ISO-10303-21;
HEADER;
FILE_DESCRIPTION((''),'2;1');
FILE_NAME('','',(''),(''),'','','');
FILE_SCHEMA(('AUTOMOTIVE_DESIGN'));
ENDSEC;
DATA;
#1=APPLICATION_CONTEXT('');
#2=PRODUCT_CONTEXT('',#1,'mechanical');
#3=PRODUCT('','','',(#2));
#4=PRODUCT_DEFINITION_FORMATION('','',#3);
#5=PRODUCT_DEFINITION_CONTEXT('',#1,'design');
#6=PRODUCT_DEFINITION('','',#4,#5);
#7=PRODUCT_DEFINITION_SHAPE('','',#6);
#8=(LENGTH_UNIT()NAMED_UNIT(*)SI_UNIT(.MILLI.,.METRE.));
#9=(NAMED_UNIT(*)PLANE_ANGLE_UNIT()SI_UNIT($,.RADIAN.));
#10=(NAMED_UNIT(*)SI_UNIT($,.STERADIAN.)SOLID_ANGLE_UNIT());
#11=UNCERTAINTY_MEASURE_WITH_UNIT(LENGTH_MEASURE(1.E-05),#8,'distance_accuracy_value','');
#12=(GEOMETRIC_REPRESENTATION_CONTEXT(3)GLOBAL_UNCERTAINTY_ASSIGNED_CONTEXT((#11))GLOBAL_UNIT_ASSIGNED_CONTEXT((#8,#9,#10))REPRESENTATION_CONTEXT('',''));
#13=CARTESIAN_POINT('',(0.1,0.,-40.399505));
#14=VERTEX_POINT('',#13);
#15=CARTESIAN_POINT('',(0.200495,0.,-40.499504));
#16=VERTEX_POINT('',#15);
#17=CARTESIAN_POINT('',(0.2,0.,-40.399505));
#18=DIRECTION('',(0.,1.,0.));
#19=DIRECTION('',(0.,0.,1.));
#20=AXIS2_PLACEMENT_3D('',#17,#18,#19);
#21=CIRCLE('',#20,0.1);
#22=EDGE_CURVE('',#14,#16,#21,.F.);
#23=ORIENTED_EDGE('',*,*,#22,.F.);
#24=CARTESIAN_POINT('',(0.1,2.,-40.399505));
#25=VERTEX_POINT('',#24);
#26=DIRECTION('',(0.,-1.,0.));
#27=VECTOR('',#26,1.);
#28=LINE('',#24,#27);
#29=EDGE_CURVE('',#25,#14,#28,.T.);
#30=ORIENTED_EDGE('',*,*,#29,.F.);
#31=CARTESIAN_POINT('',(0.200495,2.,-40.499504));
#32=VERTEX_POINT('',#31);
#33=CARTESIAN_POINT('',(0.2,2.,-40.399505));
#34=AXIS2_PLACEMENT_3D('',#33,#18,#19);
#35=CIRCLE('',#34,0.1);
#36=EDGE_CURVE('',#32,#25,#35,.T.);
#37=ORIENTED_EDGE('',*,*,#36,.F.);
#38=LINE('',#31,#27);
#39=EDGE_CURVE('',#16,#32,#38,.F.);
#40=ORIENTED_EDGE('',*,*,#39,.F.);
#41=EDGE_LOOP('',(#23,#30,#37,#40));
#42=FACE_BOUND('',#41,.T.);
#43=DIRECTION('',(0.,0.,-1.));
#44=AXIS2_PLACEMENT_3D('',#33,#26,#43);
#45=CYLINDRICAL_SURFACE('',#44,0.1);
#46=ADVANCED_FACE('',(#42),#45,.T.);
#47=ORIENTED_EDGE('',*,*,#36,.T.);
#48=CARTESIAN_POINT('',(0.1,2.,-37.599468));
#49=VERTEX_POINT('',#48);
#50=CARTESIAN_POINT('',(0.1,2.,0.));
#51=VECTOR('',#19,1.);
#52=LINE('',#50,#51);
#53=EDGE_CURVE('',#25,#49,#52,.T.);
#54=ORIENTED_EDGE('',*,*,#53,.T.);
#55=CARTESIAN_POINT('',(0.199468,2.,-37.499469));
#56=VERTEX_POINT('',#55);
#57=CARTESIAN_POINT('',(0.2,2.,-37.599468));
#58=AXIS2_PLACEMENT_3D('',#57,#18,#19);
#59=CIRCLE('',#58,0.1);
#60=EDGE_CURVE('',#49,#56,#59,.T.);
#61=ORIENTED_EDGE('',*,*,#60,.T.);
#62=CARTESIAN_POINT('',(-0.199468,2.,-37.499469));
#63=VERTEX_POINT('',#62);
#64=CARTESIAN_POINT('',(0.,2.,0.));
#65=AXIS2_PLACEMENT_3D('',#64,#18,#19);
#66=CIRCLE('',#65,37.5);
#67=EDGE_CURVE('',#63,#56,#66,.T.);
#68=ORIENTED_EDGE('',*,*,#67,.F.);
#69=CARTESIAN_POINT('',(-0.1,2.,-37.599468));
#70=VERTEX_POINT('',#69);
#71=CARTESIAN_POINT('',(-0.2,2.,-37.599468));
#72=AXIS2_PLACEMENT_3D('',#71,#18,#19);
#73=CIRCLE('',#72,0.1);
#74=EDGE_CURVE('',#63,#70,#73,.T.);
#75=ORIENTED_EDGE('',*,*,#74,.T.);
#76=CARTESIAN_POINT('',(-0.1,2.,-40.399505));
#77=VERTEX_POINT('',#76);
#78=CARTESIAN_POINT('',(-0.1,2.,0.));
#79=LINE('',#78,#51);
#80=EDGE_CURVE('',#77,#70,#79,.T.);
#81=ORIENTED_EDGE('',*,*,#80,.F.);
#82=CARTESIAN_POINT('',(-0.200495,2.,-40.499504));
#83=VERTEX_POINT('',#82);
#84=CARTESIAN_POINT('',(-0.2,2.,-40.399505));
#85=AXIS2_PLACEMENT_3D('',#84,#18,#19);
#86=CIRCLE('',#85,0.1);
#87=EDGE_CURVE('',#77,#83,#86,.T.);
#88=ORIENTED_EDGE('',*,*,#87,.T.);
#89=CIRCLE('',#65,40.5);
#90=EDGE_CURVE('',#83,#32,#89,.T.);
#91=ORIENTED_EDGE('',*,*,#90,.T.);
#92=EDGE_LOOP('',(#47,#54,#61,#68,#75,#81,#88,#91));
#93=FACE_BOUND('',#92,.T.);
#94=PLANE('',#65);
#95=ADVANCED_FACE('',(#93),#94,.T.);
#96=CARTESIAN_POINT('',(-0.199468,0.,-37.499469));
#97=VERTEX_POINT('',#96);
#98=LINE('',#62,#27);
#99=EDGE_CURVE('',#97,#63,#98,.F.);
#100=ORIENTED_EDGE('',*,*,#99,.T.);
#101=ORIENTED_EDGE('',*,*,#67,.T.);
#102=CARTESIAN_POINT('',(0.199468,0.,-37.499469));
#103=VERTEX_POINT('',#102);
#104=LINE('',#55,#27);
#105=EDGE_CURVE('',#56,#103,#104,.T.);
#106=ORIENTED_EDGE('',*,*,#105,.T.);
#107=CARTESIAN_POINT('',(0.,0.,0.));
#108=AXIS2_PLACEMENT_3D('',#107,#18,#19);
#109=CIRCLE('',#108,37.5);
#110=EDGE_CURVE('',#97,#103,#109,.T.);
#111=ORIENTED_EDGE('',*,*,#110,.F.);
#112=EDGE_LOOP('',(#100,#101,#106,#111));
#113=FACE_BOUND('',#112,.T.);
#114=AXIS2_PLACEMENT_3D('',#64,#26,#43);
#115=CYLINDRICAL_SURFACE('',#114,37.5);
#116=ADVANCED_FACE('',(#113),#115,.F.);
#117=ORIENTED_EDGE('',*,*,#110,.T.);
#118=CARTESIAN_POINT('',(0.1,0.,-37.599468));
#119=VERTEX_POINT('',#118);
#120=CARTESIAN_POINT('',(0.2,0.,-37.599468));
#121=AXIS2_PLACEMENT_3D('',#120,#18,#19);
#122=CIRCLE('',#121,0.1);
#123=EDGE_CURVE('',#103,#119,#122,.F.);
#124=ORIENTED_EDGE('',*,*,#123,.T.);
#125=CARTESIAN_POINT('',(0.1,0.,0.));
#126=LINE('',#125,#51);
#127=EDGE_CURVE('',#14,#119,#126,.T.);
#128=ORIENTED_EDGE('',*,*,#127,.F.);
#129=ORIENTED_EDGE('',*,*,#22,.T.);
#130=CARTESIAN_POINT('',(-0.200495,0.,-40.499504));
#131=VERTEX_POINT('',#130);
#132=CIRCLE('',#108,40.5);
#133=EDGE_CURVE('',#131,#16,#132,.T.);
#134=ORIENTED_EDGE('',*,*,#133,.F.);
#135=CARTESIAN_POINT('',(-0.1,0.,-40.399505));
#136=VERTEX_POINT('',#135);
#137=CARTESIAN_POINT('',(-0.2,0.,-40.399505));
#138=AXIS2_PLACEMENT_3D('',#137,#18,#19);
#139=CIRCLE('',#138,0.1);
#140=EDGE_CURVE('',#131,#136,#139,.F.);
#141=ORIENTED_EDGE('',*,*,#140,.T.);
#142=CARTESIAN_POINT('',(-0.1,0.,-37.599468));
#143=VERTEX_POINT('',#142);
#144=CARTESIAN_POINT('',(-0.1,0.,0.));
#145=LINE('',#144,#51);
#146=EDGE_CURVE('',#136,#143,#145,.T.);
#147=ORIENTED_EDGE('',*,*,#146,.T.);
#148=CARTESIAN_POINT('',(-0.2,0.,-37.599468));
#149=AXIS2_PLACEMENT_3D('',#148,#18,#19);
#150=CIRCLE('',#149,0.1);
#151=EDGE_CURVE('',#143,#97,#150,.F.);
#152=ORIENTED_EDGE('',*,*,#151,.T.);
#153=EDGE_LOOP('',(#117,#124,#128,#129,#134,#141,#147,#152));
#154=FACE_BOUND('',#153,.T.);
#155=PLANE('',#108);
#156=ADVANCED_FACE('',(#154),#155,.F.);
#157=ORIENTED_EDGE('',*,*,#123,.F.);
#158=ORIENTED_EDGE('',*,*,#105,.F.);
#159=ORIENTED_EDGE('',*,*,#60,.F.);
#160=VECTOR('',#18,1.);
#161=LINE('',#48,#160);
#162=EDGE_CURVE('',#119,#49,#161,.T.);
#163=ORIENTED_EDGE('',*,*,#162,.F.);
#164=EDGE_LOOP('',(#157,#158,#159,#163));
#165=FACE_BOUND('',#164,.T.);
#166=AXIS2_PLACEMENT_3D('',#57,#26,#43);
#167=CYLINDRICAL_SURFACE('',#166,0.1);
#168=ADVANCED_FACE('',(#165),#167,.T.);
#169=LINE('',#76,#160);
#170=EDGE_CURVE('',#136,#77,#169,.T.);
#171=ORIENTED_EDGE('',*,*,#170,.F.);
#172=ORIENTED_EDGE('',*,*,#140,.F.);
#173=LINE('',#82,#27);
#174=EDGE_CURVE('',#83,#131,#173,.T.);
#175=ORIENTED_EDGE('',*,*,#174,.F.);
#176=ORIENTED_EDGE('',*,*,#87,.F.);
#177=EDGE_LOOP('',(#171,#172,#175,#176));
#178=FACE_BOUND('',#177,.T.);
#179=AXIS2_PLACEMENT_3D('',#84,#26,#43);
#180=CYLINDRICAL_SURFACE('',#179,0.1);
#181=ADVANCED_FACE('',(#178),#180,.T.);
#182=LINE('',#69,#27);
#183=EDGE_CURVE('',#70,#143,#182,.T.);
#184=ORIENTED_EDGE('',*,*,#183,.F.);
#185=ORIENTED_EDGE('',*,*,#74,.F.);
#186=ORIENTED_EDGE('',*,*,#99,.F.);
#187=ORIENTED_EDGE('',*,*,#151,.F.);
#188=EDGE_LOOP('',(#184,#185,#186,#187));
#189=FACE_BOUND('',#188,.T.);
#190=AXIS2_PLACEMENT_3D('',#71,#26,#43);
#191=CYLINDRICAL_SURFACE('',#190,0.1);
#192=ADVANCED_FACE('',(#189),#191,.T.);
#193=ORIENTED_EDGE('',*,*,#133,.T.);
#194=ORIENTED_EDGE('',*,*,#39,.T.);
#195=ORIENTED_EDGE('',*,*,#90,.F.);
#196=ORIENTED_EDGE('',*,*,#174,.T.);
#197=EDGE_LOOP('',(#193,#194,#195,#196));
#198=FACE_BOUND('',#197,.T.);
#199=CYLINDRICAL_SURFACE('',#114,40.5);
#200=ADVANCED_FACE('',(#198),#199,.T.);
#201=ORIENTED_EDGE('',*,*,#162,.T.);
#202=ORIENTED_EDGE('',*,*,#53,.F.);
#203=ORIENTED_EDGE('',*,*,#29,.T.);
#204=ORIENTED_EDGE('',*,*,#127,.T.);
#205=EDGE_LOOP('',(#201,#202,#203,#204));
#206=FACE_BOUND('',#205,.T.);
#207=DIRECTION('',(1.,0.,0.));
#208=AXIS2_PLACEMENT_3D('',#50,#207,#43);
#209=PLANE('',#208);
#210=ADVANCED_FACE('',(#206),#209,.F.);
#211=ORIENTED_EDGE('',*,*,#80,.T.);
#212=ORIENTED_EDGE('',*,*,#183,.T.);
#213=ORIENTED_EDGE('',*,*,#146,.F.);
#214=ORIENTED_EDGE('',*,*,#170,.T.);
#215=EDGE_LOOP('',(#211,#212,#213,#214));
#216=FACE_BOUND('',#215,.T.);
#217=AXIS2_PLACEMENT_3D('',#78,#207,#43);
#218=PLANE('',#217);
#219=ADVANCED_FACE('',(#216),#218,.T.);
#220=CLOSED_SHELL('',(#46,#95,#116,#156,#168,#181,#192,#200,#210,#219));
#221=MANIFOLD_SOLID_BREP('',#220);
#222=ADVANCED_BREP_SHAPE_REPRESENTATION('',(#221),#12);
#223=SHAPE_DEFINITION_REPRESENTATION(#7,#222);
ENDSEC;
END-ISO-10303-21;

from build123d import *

# Parameters (mm, degrees)
BOSS_EXTRUDE1_DEPTH = 2
FILLET1_R           = 0.1


with BuildPart() as part:
    # Sketch1 → Boss-Extrude1 (new body)
    with BuildSketch(Plane(origin=(0, 0, 0), x_dir=(1, 0, 0), z_dir=(0, 1, 0))):
        with BuildLine():
            Line((0.1, 40.499876543), (0.1, 37.499866666))
            ThreePointArc((0.1, 37.499866666), (26.551836095, 26.481125354), (37.5, 0))
            ThreePointArc((37.5, 0), (-26.481125354, -26.551836095), (-0.1, 37.499866666))
            Line((-0.1, 37.499866666), (-0.1, 40.499876543))
            ThreePointArc((-0.1, 40.499876543), (-28.602447448, -28.67315818), (40.5, 0))
            ThreePointArc((40.5, 0), (28.67315818, 28.602447448), (0.1, 40.499876543))
        make_face()
    extrude(amount=BOSS_EXTRUDE1_DEPTH)

    # Fillet1
    fillet1_edges = [part.edges().sort_by_distance(p)[0] for p in [
        (-0.1, 1, -37.499866666),
        (0.1, 1, -37.499866666),
        (0.1, 1, -40.499876543),
        (-0.1, 1, -40.499876543),
    ]]
    fillet(fillet1_edges, radius=FILLET1_R)


solid = part.part
